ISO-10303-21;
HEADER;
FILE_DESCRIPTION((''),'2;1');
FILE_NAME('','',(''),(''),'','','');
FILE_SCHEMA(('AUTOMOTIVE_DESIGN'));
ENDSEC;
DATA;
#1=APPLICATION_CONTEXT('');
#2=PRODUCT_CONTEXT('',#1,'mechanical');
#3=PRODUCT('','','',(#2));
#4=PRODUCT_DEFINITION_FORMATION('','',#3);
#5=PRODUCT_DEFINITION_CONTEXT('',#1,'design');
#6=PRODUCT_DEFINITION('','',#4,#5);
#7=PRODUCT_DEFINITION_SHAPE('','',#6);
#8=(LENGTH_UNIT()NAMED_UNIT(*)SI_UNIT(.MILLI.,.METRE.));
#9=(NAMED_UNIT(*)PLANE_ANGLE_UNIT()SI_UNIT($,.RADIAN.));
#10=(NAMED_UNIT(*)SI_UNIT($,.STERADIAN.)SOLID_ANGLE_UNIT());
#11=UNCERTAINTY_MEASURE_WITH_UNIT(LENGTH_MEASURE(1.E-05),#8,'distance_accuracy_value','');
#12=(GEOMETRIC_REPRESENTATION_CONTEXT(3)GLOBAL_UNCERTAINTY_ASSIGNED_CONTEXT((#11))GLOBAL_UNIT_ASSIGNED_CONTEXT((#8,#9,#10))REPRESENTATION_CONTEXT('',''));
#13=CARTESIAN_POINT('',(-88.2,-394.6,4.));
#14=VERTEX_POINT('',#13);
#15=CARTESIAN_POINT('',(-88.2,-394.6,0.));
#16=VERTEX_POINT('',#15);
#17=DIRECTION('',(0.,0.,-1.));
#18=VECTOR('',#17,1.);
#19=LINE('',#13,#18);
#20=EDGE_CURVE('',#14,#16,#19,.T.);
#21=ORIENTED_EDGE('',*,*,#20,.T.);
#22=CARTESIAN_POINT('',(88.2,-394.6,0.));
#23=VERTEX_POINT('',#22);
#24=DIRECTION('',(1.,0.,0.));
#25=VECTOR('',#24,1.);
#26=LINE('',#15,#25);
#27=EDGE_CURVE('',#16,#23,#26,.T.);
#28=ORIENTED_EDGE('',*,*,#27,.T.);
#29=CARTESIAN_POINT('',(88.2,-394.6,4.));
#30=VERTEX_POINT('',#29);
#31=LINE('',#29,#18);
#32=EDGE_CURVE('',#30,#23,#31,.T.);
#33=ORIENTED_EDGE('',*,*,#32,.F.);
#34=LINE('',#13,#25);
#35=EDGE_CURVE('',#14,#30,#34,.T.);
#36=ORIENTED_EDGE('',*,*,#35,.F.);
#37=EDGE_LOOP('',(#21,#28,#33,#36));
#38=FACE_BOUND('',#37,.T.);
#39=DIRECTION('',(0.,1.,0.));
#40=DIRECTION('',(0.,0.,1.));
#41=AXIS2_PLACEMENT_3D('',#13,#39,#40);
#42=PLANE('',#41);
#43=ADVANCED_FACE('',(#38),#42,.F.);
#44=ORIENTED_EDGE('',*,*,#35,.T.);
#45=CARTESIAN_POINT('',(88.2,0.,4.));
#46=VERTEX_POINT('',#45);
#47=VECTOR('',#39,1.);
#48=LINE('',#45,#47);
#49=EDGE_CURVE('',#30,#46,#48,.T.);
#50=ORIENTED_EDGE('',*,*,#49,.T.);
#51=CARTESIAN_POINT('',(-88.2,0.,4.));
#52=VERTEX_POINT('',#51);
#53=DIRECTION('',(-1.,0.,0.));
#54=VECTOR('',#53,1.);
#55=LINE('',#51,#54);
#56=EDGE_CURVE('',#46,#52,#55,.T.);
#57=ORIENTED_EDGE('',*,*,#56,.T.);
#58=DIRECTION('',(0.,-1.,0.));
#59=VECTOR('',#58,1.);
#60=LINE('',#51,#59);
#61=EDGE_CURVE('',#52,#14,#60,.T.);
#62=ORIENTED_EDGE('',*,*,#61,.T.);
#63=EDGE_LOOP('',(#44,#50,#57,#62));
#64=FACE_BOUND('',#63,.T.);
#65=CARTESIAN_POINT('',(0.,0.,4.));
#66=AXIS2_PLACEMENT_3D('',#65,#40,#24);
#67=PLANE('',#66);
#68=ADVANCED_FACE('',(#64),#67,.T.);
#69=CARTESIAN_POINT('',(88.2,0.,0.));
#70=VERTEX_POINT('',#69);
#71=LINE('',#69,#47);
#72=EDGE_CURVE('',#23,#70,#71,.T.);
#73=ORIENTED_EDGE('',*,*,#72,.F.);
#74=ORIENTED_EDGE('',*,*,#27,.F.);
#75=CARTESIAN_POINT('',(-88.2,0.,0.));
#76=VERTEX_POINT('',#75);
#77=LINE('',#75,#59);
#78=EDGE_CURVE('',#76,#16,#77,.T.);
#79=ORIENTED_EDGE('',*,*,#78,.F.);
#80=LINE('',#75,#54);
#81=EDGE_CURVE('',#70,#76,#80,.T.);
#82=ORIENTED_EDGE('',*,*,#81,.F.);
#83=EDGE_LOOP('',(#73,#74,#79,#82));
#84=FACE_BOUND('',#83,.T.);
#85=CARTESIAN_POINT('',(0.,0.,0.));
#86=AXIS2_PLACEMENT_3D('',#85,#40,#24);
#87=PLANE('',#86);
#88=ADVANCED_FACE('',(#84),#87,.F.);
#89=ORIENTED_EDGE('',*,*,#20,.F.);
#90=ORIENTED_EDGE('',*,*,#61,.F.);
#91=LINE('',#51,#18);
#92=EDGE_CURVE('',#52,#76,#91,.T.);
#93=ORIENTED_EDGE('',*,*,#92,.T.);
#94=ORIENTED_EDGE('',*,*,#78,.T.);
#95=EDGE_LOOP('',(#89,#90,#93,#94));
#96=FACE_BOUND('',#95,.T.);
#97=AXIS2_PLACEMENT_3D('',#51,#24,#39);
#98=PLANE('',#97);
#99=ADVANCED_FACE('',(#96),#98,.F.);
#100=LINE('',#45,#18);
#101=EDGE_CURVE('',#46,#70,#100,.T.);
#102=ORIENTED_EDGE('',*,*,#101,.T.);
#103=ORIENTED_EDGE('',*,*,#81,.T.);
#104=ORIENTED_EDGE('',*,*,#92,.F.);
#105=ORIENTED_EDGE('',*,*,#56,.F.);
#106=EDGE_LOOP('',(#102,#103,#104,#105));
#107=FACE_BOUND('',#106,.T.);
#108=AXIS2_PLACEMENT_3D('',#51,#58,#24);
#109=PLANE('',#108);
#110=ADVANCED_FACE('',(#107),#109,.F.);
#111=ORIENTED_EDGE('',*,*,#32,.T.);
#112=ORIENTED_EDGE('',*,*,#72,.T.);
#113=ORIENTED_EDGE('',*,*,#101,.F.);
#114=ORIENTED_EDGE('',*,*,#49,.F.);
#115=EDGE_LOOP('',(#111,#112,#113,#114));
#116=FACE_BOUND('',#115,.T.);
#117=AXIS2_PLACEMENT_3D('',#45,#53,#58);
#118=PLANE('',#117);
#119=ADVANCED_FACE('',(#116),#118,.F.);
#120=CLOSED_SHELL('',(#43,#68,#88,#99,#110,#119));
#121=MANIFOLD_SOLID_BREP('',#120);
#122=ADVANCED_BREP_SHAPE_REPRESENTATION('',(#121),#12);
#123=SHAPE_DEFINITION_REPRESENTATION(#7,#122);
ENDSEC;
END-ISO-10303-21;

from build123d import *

# Parameters (mm, degrees)
SKETCH1_W      = 176.4
SKETCH1_H      = 394.6
EXTRUDE1_DEPTH = 4


with BuildPart() as part:
    # Sketch1 → Extrude1 (new body)
    with BuildSketch(Plane.XY):
        with Locations((0, -197.3)):
            Rectangle(SKETCH1_W, SKETCH1_H)
    extrude(amount=EXTRUDE1_DEPTH)


solid = part.part
